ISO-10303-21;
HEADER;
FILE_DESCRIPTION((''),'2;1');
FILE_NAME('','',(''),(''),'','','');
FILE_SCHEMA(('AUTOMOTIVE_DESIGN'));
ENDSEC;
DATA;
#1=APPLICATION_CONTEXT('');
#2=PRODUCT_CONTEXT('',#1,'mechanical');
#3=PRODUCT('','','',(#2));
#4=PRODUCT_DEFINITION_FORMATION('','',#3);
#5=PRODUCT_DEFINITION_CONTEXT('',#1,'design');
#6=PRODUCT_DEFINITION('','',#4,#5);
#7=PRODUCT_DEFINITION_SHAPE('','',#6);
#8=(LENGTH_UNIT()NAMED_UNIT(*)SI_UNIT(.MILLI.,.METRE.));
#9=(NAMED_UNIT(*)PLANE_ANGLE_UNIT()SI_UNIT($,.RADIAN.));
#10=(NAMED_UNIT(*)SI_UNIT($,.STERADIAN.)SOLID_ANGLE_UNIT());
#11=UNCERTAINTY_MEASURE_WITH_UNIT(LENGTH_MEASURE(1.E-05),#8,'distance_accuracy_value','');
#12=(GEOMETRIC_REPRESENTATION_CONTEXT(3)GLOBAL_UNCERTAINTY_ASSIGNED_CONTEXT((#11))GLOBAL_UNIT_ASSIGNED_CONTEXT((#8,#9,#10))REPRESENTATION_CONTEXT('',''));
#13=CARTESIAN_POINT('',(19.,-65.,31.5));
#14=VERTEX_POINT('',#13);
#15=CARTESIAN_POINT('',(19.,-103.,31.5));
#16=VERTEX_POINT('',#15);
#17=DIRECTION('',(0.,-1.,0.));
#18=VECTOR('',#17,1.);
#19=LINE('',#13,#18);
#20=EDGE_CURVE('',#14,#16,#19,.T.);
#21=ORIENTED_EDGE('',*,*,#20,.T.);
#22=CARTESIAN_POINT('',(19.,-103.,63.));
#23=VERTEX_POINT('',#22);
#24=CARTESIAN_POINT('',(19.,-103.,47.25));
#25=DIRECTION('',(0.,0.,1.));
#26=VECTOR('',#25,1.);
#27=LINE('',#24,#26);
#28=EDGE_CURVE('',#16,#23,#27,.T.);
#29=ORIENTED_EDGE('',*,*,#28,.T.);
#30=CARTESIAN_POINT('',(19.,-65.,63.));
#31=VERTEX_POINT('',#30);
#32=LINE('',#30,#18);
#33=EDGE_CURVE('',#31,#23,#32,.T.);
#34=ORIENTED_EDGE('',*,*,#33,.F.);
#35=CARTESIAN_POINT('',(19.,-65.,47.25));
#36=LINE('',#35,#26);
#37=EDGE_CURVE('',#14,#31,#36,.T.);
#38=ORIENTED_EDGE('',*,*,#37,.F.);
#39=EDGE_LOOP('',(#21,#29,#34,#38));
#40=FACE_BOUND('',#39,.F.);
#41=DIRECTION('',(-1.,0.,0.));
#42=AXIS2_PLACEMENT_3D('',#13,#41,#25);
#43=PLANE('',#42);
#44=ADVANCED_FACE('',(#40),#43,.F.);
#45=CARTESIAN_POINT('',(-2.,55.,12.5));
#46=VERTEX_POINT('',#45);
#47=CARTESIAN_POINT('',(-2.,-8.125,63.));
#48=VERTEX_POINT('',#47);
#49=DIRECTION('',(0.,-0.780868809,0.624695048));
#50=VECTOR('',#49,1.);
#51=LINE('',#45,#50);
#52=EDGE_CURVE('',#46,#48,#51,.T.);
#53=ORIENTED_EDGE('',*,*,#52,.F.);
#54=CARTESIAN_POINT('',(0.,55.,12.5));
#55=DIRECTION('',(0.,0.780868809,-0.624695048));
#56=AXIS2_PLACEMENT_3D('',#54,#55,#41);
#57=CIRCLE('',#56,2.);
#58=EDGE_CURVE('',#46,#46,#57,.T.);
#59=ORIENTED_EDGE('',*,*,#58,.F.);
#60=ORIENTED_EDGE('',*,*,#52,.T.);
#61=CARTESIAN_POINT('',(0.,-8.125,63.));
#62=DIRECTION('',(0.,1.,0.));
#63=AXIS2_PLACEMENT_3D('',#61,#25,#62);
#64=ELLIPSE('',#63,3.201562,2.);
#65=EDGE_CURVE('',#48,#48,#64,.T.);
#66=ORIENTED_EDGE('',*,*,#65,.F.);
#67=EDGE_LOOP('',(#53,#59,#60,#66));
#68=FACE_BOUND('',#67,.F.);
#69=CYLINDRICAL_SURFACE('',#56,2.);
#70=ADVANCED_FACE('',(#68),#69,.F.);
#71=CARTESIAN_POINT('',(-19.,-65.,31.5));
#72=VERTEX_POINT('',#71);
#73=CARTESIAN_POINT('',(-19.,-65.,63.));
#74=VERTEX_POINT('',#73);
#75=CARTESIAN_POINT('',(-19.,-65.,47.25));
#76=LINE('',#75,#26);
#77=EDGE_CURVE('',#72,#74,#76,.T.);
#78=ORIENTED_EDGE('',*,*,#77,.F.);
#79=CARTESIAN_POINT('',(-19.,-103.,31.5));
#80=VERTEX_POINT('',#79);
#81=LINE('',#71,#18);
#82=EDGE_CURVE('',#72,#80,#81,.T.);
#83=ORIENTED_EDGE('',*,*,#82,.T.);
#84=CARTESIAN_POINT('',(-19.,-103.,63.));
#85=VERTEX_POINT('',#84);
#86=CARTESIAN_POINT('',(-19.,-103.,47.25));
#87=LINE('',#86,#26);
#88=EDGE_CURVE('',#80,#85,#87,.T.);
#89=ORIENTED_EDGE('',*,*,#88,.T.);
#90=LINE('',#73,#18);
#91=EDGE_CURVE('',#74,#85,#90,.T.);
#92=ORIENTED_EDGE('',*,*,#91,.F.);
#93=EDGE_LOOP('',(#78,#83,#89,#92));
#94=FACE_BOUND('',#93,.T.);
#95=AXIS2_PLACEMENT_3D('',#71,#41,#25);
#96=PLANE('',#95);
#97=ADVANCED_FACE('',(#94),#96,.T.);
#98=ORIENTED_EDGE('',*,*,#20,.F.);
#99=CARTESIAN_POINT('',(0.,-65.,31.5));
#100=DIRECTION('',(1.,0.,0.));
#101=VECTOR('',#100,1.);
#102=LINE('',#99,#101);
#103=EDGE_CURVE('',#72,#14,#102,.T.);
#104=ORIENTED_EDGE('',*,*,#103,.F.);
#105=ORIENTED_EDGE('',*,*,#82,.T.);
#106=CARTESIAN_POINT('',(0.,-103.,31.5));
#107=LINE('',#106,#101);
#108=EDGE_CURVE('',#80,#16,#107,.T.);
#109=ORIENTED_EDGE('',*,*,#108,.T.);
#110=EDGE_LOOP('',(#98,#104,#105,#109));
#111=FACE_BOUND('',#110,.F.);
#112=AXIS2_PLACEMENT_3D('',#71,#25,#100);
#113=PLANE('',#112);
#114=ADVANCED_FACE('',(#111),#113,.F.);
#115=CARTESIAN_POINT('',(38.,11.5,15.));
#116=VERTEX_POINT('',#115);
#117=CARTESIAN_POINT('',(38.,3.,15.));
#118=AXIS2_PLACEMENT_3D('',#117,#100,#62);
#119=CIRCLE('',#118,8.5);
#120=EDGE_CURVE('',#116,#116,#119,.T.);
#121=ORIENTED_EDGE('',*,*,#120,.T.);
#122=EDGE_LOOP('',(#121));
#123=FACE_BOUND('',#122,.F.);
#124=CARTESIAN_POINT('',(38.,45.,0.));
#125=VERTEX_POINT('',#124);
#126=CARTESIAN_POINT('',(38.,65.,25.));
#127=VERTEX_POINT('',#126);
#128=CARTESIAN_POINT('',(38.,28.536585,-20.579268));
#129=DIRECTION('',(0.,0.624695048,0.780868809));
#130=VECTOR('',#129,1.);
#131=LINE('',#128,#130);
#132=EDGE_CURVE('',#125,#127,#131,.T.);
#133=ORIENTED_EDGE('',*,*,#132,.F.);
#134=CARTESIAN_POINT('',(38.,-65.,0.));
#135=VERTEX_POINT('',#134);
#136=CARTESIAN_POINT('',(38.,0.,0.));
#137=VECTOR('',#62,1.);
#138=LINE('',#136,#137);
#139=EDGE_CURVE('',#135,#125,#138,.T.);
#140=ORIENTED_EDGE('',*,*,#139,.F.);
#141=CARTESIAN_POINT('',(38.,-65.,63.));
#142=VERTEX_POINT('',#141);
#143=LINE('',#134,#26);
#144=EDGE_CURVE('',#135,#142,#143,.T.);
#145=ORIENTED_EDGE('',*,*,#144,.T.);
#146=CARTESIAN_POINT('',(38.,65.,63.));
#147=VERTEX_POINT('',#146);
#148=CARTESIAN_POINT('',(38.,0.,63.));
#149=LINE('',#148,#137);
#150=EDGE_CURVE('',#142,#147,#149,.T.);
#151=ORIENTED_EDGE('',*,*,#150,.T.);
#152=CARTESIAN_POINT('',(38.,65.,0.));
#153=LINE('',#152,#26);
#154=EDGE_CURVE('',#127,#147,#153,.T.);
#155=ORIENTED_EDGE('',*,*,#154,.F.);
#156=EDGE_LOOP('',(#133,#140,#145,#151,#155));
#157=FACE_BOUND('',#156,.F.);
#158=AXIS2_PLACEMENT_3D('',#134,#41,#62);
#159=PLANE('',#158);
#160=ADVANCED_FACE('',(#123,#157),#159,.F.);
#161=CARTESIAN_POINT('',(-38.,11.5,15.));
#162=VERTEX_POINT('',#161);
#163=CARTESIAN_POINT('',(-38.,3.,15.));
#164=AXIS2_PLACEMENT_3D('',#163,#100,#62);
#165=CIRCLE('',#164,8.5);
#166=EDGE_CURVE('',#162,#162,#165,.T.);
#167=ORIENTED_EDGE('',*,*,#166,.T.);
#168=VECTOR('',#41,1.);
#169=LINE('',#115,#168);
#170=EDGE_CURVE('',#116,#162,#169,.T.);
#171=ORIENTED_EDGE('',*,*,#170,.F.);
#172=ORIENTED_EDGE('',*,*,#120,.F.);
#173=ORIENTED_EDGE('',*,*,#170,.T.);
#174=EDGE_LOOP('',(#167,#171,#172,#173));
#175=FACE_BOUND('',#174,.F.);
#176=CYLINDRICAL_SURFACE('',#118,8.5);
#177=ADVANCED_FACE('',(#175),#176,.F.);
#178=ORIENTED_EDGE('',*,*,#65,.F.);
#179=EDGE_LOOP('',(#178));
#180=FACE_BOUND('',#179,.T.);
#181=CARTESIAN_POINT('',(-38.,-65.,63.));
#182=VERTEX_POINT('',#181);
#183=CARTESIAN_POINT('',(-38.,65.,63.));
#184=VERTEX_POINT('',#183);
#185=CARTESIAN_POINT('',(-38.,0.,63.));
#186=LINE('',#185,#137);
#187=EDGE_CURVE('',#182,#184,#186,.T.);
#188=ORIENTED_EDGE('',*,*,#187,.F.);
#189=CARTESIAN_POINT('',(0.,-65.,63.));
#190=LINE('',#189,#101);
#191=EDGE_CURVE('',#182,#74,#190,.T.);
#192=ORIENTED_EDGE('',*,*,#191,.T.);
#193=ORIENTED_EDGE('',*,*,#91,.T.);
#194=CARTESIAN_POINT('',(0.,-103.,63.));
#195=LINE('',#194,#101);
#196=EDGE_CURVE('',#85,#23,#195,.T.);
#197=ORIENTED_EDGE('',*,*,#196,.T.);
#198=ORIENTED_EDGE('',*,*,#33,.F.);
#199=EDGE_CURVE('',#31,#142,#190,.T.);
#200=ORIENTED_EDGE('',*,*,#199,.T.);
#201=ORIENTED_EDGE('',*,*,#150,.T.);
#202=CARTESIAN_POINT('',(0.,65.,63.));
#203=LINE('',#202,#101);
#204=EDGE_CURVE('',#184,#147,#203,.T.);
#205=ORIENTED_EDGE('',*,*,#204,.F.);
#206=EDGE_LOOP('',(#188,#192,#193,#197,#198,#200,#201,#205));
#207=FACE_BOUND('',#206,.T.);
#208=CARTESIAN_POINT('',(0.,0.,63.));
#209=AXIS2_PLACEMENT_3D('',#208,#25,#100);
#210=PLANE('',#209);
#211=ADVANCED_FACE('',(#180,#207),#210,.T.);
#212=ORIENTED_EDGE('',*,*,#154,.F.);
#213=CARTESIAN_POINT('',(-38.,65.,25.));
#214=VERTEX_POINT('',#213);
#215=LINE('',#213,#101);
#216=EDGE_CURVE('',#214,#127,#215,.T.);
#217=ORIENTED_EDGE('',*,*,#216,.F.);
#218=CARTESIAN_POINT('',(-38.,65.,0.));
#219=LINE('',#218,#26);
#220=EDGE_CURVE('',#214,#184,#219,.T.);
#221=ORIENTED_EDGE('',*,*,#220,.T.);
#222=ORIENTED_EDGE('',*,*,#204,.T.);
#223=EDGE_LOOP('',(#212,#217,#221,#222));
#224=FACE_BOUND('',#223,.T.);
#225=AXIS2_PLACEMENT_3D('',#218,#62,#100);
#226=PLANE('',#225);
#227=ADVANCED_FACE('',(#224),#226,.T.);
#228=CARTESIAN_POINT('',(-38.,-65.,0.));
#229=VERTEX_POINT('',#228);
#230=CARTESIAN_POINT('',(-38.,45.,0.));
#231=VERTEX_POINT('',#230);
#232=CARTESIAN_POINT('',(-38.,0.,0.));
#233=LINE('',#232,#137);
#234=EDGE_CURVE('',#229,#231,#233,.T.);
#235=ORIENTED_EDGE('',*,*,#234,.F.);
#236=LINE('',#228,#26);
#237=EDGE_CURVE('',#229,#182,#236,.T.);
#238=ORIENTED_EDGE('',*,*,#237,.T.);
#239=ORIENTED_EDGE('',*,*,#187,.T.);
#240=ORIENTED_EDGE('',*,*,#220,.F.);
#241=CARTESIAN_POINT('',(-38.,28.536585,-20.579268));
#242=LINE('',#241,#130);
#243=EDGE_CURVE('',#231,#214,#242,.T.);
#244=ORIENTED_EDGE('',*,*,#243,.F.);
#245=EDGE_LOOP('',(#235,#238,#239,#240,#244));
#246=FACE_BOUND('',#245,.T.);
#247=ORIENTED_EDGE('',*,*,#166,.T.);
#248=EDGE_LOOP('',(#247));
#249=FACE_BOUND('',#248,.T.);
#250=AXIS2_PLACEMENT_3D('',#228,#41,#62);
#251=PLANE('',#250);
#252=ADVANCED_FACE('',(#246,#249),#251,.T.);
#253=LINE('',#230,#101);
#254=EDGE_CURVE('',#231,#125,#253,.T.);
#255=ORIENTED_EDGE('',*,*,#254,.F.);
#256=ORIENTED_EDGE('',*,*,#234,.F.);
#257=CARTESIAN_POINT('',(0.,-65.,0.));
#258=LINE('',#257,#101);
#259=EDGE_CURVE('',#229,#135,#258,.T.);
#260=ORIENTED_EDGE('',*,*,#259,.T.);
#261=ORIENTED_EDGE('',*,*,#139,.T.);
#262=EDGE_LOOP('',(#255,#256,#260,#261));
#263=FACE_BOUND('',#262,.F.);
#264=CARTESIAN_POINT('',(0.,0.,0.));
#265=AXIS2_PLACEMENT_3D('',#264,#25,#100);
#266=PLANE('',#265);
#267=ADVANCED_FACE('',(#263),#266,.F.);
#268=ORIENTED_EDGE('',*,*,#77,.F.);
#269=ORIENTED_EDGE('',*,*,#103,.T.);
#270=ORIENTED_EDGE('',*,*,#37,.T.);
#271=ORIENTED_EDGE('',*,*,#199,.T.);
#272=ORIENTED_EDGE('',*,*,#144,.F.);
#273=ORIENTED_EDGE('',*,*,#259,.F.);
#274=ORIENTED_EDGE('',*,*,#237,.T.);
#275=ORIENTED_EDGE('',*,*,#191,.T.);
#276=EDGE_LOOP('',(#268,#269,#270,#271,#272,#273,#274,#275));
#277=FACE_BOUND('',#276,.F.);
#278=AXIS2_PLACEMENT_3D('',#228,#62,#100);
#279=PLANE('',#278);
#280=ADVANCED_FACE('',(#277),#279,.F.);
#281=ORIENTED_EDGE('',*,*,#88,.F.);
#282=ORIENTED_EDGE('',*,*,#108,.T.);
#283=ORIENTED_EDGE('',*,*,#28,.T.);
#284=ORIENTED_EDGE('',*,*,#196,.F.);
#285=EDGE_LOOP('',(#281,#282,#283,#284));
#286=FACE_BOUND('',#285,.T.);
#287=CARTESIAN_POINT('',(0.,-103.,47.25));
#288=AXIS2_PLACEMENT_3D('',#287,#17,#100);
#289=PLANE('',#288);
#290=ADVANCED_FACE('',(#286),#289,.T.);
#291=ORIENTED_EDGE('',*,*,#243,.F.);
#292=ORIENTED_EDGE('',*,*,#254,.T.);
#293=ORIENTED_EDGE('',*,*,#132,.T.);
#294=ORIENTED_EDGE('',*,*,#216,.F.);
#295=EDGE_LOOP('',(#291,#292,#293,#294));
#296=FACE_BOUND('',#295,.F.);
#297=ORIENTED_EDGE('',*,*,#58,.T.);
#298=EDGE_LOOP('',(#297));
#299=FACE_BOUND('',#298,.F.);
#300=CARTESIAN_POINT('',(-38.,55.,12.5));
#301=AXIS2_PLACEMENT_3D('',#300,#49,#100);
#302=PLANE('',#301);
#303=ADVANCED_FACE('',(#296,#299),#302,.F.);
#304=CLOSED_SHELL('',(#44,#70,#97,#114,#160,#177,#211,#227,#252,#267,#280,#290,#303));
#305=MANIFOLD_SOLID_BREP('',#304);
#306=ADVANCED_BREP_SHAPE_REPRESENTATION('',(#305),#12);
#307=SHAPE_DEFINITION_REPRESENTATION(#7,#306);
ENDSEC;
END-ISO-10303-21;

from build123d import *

# Parameters (mm, degrees)
F0_W     = 76
F0_H     = 130
F1_DEPTH = 63
F2_SIZE2 = 25
F2_SIZE  = 20
F3_R     = 2
F4_DEPTH = 125.2523570347
F5_R     = 8.5
F6_DEPTH = 76.001
F7_W     = 38
F7_H     = 31.5
F8_DEPTH = 38


with BuildPart() as f1:
    # F0 (on Top) → F1 (new body)
    with BuildSketch(Plane.XY):
        Rectangle(F0_W, F0_H)
    extrude(amount=F1_DEPTH)

    # F2
    f2_edges = [f1.edges().sort_by_distance(p)[0] for p in [
        (0, 65, 0),
    ]]
    f2_side = f1.faces().sort_by_distance((0, 0, 0))[0]
    chamfer(f2_edges, length=F2_SIZE, length2=F2_SIZE2, reference=f2_side)

    # F3 (on face) → F4 (cut, through all)
    with BuildSketch(Plane(origin=(0, 27.4390243902, -21.9512195122), x_dir=(-1, 0, 0), z_dir=(0, 0.7808688094, -0.6246950476))):
        with Locations((0, 44.1190877335)):
            Circle(F3_R)
    extrude(amount=-F4_DEPTH, mode=Mode.SUBTRACT)

    # F5 (on face) → F6 (cut, through all)
    with BuildSketch(Plane.YZ.offset(38)):
        with Locations((3, 15)):
            Circle(F5_R)
    extrude(amount=-F6_DEPTH, mode=Mode.SUBTRACT)

    # F7 (on face) → F8 (join)
    with BuildSketch(Plane.XZ.offset(65)):
        with Locations((0, 47.25)):
            Rectangle(F7_W, F7_H)
    extrude(amount=F8_DEPTH)


solid = f1.part
